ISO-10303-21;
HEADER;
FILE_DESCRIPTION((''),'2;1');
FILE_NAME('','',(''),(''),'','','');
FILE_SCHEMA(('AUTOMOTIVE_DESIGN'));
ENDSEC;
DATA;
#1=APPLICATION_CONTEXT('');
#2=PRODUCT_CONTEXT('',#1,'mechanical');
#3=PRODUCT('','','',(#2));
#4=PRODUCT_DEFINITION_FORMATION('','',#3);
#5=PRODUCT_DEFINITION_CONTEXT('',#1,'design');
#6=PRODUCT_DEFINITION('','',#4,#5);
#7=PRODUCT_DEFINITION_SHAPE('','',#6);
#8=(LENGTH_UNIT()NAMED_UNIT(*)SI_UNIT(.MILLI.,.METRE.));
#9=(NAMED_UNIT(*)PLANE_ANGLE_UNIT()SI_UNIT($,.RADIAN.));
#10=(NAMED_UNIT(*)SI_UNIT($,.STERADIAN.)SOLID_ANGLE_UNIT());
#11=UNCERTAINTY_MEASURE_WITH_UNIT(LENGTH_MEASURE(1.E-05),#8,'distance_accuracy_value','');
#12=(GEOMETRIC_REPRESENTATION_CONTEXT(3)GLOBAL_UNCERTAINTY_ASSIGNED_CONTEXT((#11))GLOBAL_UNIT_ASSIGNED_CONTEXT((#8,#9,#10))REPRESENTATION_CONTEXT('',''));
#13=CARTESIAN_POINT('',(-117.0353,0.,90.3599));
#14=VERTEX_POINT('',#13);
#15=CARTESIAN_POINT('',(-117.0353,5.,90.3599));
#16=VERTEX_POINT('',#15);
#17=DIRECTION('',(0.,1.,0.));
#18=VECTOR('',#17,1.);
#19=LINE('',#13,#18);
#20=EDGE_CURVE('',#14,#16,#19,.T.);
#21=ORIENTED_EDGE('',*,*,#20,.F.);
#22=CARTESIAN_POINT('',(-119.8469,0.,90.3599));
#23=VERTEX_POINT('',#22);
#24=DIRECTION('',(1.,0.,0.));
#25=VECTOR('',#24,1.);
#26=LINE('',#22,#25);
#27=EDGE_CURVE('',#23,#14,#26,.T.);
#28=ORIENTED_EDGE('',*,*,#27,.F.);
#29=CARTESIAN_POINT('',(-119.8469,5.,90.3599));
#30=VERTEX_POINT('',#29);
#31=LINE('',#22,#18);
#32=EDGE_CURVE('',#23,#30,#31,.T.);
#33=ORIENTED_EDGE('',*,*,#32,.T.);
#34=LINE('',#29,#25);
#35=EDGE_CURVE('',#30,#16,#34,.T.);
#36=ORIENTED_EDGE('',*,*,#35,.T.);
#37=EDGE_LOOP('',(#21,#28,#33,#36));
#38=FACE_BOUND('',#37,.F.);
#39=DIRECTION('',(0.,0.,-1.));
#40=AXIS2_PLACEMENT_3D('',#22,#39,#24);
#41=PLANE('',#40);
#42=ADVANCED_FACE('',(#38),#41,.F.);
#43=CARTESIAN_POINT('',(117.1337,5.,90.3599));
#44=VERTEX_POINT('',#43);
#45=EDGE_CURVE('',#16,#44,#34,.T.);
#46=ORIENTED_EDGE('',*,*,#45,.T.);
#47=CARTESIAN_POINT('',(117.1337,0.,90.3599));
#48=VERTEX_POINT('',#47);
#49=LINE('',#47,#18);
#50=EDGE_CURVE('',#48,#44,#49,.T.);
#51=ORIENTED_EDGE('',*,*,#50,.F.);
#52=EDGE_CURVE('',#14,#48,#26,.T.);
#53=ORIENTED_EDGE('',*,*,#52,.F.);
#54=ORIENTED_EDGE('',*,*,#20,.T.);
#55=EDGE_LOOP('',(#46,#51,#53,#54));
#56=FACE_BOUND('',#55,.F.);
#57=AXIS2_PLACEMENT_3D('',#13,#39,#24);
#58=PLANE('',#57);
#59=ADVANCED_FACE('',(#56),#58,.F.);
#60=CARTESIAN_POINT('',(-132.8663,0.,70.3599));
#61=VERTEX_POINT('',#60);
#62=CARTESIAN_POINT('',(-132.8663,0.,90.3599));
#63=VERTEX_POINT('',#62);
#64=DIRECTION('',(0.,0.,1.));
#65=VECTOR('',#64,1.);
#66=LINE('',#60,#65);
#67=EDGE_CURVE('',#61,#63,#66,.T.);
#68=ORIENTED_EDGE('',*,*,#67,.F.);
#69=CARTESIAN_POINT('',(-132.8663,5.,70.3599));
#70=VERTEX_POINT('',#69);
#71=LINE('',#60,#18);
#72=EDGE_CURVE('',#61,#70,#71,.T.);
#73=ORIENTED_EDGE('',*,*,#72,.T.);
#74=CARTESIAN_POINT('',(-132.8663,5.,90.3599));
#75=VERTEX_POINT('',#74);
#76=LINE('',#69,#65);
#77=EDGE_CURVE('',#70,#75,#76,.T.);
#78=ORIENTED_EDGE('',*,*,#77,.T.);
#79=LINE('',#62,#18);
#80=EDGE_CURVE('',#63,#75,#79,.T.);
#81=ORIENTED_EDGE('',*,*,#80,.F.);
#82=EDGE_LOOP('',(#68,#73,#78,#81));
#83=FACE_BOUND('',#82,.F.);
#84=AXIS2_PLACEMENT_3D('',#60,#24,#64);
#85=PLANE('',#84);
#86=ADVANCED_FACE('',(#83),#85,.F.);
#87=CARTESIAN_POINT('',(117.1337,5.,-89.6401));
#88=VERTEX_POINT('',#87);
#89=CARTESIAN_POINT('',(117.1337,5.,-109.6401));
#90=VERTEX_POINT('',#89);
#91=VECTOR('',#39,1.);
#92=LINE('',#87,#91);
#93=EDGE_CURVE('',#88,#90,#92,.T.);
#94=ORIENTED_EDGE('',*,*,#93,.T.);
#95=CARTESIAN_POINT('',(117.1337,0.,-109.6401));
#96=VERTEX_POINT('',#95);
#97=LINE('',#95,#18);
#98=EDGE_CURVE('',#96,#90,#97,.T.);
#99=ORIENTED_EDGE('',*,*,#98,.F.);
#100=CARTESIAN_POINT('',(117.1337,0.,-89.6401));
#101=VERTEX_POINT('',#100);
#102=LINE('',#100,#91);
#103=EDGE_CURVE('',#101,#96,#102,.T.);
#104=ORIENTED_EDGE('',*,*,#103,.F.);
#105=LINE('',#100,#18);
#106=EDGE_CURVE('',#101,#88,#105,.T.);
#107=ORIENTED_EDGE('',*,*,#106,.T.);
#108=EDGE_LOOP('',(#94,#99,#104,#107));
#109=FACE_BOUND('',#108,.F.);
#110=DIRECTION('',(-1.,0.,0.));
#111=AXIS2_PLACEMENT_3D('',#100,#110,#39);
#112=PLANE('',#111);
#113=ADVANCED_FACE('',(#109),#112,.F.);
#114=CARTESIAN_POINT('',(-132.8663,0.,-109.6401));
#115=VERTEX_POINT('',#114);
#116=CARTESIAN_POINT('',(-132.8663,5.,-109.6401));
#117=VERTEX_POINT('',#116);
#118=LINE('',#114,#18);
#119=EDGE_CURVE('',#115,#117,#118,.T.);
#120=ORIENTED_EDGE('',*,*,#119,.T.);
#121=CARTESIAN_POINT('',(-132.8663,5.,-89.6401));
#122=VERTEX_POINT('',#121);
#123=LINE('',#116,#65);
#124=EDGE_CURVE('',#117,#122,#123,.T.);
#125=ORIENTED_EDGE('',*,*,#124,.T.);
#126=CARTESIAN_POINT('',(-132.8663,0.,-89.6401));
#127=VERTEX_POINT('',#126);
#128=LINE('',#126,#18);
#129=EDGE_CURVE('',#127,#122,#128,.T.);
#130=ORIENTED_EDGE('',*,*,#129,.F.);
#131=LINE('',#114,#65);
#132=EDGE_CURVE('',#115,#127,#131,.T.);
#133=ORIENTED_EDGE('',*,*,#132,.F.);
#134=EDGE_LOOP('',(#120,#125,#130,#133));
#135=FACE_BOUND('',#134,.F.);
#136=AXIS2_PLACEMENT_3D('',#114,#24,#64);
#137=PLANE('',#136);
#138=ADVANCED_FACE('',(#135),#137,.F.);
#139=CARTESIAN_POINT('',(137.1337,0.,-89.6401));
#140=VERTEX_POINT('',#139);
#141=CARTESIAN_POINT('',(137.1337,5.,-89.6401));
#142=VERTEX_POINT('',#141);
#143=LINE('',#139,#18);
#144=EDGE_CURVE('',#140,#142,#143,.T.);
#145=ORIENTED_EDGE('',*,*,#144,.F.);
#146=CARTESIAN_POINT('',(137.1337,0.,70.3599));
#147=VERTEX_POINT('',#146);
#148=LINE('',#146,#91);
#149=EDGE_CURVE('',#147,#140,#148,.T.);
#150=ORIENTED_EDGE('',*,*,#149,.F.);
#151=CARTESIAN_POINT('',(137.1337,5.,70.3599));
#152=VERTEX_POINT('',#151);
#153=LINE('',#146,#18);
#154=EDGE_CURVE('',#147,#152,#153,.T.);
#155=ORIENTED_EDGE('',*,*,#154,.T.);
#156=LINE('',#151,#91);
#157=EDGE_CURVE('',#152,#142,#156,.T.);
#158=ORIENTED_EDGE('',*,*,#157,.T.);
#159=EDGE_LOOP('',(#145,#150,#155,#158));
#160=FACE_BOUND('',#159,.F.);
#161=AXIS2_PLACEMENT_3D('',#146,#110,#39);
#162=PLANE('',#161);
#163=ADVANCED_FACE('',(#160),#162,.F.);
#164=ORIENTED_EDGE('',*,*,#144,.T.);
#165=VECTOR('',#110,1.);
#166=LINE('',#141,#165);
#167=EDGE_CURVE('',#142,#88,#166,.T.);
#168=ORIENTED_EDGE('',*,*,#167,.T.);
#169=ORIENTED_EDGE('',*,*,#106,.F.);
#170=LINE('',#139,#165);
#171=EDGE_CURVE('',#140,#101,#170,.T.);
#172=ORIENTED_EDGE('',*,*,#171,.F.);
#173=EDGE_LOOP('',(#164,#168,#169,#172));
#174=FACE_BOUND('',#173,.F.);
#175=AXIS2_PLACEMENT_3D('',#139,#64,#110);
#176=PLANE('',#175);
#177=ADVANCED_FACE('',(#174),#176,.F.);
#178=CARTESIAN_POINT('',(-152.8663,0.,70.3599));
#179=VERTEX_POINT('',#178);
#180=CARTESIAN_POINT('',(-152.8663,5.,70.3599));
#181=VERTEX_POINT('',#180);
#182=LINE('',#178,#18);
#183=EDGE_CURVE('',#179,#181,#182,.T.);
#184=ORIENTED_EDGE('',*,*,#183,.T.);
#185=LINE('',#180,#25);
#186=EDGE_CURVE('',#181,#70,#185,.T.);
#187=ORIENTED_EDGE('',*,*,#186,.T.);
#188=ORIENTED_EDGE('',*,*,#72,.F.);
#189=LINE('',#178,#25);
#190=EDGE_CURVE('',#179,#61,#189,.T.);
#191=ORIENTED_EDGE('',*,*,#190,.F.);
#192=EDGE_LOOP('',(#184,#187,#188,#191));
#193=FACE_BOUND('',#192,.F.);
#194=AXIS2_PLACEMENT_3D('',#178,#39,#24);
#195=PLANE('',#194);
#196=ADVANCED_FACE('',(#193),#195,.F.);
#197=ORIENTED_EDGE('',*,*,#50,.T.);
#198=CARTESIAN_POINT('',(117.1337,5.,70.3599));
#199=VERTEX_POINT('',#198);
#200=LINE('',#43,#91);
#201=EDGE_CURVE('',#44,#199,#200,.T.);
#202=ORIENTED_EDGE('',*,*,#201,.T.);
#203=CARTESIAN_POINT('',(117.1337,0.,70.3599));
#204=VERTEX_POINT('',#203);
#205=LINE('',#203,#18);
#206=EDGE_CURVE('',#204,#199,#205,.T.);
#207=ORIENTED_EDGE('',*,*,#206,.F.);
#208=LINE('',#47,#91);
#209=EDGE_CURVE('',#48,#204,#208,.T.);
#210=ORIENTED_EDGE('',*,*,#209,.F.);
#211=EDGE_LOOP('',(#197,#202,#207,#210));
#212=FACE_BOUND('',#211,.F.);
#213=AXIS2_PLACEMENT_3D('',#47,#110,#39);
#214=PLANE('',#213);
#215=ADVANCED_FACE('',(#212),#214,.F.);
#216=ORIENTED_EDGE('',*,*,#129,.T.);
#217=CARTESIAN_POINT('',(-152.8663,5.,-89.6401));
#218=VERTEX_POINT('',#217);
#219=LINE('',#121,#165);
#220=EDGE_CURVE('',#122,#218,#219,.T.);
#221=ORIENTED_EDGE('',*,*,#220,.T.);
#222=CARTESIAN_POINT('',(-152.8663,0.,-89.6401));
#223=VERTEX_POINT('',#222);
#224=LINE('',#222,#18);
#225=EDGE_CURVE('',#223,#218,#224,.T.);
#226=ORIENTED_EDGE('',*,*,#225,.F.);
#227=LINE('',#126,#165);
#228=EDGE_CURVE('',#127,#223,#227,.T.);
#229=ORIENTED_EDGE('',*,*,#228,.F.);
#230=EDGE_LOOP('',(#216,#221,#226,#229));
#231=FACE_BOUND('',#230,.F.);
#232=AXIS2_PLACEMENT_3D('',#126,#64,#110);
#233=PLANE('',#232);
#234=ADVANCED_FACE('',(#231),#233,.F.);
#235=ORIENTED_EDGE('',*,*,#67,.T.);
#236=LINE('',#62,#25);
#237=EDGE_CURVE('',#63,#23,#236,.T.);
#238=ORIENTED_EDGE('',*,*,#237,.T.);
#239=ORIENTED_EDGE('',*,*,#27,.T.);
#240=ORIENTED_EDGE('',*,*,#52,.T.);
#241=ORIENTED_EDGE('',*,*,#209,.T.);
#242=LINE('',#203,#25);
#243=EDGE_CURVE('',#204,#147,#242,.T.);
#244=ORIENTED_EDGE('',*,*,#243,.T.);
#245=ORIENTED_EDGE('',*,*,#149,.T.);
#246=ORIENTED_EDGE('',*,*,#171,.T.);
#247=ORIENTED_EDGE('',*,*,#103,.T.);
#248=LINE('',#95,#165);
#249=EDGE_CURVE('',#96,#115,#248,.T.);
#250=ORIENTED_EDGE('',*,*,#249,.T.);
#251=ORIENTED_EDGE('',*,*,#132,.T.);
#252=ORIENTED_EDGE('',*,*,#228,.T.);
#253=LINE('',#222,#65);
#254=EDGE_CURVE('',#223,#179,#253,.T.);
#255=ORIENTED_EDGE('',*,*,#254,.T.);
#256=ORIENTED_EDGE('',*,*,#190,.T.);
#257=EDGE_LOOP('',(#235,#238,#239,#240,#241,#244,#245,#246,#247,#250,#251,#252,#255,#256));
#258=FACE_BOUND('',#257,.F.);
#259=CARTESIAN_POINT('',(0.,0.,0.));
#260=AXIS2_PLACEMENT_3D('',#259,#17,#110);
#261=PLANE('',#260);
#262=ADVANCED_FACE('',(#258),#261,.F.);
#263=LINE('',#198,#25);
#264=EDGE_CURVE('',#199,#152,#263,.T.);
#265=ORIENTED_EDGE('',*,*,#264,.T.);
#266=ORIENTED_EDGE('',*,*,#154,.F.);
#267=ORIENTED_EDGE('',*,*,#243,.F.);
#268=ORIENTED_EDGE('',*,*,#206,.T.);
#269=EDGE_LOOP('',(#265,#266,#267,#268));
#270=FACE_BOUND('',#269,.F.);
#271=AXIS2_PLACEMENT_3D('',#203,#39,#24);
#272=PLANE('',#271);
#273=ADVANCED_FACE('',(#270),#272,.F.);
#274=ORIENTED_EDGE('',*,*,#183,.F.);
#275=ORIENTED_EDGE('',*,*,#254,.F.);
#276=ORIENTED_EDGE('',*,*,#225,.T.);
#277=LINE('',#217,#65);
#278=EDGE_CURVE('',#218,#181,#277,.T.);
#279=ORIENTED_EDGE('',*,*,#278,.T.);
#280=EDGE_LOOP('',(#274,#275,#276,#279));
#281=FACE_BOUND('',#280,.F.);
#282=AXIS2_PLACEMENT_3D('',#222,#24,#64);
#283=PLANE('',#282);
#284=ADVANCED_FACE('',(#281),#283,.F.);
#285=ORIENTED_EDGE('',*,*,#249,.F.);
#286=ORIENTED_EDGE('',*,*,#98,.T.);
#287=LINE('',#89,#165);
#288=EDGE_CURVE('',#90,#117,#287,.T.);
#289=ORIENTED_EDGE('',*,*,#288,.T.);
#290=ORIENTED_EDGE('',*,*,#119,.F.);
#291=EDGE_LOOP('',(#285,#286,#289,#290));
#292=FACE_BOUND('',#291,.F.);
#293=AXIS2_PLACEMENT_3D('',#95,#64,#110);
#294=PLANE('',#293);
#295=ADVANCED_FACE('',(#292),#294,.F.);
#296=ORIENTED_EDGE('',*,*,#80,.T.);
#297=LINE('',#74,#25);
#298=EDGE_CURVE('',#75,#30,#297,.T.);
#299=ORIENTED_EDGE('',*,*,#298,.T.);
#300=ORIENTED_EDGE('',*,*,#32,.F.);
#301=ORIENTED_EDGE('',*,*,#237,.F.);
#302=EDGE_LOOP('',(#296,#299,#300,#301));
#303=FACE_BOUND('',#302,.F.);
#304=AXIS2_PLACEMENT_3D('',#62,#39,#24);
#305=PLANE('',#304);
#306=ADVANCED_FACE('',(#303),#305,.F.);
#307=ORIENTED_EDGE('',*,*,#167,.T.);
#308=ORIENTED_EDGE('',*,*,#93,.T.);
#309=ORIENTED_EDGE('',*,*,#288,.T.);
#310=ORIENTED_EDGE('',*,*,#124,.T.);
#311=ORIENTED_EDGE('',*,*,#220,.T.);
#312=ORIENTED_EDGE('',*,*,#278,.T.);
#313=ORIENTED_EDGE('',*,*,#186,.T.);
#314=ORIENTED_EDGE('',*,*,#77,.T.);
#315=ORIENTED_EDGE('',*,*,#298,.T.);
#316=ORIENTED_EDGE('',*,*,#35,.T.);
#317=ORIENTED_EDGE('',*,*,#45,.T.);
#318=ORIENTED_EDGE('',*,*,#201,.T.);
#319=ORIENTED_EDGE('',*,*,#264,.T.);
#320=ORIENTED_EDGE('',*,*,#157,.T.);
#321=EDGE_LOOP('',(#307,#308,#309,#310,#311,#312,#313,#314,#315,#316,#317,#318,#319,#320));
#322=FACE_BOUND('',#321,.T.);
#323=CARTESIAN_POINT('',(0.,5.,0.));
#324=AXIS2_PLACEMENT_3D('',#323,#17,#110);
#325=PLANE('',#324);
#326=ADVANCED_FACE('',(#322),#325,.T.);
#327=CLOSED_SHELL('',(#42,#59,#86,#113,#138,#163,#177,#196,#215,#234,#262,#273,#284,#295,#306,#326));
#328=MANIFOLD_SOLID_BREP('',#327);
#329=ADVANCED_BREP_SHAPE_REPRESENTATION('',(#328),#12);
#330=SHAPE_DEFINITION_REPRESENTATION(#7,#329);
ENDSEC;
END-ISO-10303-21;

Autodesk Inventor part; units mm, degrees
ref_plane "YZ Plane" through (0, 0, 0) normal (1, 0, 0) x (0, 1, 0)
ref_plane "XZ Plane" through (0, 0, 0) normal (0, 1, 0) x (-1, 0, 0)
ref_plane "XY Plane" through (0, 0, 0) normal (0, 0, 1) x (1, 0, 0)
sketch "Sketch1" plane through (0, 0, 0) normal (0, 1, 0) x (-1, 0, 0)
  line L0 (119.8469, 90.3599) -> (-117.1337, 90.3599)
  line L1 (-117.1337, 90.3599) -> (-117.1337, 70.3599)
  line L2 (-117.1337, 70.3599) -> (-137.1337, 70.3599)
  line L3 (-137.1337, 70.3599) -> (-137.1337, -89.6401)
  line L4 (-137.1337, -89.6401) -> (-117.1337, -89.6401)
  line L5 (-117.1337, -89.6401) -> (-117.1337, -109.6401)
  line L6 (-117.1337, -109.6401) -> (132.8663, -109.6401)
  line L7 (132.8663, -109.6401) -> (132.8663, -89.6401)
  line L8 (132.8663, -89.6401) -> (152.8663, -89.6401)
  line L9 (152.8663, -89.6401) -> (152.8663, 70.3599)
  line L10 (152.8663, 70.3599) -> (132.8663, 70.3599)
  line L11 (132.8663, 90.3599) -> (117.0353, 90.3599)
  line L12 (132.8663, 70.3599) -> (132.8663, 90.3599)
  dimension "d13" = 290
  dimension "d14" = 200
  dimension "d15" = 20
  dimension "d16" = 20
  dimension "d17" = 20
  dimension "d18" = 20
extrude "Extrusion1" add sketch "Sketch1" along normal blind 5
properties part number "etage-carte"
